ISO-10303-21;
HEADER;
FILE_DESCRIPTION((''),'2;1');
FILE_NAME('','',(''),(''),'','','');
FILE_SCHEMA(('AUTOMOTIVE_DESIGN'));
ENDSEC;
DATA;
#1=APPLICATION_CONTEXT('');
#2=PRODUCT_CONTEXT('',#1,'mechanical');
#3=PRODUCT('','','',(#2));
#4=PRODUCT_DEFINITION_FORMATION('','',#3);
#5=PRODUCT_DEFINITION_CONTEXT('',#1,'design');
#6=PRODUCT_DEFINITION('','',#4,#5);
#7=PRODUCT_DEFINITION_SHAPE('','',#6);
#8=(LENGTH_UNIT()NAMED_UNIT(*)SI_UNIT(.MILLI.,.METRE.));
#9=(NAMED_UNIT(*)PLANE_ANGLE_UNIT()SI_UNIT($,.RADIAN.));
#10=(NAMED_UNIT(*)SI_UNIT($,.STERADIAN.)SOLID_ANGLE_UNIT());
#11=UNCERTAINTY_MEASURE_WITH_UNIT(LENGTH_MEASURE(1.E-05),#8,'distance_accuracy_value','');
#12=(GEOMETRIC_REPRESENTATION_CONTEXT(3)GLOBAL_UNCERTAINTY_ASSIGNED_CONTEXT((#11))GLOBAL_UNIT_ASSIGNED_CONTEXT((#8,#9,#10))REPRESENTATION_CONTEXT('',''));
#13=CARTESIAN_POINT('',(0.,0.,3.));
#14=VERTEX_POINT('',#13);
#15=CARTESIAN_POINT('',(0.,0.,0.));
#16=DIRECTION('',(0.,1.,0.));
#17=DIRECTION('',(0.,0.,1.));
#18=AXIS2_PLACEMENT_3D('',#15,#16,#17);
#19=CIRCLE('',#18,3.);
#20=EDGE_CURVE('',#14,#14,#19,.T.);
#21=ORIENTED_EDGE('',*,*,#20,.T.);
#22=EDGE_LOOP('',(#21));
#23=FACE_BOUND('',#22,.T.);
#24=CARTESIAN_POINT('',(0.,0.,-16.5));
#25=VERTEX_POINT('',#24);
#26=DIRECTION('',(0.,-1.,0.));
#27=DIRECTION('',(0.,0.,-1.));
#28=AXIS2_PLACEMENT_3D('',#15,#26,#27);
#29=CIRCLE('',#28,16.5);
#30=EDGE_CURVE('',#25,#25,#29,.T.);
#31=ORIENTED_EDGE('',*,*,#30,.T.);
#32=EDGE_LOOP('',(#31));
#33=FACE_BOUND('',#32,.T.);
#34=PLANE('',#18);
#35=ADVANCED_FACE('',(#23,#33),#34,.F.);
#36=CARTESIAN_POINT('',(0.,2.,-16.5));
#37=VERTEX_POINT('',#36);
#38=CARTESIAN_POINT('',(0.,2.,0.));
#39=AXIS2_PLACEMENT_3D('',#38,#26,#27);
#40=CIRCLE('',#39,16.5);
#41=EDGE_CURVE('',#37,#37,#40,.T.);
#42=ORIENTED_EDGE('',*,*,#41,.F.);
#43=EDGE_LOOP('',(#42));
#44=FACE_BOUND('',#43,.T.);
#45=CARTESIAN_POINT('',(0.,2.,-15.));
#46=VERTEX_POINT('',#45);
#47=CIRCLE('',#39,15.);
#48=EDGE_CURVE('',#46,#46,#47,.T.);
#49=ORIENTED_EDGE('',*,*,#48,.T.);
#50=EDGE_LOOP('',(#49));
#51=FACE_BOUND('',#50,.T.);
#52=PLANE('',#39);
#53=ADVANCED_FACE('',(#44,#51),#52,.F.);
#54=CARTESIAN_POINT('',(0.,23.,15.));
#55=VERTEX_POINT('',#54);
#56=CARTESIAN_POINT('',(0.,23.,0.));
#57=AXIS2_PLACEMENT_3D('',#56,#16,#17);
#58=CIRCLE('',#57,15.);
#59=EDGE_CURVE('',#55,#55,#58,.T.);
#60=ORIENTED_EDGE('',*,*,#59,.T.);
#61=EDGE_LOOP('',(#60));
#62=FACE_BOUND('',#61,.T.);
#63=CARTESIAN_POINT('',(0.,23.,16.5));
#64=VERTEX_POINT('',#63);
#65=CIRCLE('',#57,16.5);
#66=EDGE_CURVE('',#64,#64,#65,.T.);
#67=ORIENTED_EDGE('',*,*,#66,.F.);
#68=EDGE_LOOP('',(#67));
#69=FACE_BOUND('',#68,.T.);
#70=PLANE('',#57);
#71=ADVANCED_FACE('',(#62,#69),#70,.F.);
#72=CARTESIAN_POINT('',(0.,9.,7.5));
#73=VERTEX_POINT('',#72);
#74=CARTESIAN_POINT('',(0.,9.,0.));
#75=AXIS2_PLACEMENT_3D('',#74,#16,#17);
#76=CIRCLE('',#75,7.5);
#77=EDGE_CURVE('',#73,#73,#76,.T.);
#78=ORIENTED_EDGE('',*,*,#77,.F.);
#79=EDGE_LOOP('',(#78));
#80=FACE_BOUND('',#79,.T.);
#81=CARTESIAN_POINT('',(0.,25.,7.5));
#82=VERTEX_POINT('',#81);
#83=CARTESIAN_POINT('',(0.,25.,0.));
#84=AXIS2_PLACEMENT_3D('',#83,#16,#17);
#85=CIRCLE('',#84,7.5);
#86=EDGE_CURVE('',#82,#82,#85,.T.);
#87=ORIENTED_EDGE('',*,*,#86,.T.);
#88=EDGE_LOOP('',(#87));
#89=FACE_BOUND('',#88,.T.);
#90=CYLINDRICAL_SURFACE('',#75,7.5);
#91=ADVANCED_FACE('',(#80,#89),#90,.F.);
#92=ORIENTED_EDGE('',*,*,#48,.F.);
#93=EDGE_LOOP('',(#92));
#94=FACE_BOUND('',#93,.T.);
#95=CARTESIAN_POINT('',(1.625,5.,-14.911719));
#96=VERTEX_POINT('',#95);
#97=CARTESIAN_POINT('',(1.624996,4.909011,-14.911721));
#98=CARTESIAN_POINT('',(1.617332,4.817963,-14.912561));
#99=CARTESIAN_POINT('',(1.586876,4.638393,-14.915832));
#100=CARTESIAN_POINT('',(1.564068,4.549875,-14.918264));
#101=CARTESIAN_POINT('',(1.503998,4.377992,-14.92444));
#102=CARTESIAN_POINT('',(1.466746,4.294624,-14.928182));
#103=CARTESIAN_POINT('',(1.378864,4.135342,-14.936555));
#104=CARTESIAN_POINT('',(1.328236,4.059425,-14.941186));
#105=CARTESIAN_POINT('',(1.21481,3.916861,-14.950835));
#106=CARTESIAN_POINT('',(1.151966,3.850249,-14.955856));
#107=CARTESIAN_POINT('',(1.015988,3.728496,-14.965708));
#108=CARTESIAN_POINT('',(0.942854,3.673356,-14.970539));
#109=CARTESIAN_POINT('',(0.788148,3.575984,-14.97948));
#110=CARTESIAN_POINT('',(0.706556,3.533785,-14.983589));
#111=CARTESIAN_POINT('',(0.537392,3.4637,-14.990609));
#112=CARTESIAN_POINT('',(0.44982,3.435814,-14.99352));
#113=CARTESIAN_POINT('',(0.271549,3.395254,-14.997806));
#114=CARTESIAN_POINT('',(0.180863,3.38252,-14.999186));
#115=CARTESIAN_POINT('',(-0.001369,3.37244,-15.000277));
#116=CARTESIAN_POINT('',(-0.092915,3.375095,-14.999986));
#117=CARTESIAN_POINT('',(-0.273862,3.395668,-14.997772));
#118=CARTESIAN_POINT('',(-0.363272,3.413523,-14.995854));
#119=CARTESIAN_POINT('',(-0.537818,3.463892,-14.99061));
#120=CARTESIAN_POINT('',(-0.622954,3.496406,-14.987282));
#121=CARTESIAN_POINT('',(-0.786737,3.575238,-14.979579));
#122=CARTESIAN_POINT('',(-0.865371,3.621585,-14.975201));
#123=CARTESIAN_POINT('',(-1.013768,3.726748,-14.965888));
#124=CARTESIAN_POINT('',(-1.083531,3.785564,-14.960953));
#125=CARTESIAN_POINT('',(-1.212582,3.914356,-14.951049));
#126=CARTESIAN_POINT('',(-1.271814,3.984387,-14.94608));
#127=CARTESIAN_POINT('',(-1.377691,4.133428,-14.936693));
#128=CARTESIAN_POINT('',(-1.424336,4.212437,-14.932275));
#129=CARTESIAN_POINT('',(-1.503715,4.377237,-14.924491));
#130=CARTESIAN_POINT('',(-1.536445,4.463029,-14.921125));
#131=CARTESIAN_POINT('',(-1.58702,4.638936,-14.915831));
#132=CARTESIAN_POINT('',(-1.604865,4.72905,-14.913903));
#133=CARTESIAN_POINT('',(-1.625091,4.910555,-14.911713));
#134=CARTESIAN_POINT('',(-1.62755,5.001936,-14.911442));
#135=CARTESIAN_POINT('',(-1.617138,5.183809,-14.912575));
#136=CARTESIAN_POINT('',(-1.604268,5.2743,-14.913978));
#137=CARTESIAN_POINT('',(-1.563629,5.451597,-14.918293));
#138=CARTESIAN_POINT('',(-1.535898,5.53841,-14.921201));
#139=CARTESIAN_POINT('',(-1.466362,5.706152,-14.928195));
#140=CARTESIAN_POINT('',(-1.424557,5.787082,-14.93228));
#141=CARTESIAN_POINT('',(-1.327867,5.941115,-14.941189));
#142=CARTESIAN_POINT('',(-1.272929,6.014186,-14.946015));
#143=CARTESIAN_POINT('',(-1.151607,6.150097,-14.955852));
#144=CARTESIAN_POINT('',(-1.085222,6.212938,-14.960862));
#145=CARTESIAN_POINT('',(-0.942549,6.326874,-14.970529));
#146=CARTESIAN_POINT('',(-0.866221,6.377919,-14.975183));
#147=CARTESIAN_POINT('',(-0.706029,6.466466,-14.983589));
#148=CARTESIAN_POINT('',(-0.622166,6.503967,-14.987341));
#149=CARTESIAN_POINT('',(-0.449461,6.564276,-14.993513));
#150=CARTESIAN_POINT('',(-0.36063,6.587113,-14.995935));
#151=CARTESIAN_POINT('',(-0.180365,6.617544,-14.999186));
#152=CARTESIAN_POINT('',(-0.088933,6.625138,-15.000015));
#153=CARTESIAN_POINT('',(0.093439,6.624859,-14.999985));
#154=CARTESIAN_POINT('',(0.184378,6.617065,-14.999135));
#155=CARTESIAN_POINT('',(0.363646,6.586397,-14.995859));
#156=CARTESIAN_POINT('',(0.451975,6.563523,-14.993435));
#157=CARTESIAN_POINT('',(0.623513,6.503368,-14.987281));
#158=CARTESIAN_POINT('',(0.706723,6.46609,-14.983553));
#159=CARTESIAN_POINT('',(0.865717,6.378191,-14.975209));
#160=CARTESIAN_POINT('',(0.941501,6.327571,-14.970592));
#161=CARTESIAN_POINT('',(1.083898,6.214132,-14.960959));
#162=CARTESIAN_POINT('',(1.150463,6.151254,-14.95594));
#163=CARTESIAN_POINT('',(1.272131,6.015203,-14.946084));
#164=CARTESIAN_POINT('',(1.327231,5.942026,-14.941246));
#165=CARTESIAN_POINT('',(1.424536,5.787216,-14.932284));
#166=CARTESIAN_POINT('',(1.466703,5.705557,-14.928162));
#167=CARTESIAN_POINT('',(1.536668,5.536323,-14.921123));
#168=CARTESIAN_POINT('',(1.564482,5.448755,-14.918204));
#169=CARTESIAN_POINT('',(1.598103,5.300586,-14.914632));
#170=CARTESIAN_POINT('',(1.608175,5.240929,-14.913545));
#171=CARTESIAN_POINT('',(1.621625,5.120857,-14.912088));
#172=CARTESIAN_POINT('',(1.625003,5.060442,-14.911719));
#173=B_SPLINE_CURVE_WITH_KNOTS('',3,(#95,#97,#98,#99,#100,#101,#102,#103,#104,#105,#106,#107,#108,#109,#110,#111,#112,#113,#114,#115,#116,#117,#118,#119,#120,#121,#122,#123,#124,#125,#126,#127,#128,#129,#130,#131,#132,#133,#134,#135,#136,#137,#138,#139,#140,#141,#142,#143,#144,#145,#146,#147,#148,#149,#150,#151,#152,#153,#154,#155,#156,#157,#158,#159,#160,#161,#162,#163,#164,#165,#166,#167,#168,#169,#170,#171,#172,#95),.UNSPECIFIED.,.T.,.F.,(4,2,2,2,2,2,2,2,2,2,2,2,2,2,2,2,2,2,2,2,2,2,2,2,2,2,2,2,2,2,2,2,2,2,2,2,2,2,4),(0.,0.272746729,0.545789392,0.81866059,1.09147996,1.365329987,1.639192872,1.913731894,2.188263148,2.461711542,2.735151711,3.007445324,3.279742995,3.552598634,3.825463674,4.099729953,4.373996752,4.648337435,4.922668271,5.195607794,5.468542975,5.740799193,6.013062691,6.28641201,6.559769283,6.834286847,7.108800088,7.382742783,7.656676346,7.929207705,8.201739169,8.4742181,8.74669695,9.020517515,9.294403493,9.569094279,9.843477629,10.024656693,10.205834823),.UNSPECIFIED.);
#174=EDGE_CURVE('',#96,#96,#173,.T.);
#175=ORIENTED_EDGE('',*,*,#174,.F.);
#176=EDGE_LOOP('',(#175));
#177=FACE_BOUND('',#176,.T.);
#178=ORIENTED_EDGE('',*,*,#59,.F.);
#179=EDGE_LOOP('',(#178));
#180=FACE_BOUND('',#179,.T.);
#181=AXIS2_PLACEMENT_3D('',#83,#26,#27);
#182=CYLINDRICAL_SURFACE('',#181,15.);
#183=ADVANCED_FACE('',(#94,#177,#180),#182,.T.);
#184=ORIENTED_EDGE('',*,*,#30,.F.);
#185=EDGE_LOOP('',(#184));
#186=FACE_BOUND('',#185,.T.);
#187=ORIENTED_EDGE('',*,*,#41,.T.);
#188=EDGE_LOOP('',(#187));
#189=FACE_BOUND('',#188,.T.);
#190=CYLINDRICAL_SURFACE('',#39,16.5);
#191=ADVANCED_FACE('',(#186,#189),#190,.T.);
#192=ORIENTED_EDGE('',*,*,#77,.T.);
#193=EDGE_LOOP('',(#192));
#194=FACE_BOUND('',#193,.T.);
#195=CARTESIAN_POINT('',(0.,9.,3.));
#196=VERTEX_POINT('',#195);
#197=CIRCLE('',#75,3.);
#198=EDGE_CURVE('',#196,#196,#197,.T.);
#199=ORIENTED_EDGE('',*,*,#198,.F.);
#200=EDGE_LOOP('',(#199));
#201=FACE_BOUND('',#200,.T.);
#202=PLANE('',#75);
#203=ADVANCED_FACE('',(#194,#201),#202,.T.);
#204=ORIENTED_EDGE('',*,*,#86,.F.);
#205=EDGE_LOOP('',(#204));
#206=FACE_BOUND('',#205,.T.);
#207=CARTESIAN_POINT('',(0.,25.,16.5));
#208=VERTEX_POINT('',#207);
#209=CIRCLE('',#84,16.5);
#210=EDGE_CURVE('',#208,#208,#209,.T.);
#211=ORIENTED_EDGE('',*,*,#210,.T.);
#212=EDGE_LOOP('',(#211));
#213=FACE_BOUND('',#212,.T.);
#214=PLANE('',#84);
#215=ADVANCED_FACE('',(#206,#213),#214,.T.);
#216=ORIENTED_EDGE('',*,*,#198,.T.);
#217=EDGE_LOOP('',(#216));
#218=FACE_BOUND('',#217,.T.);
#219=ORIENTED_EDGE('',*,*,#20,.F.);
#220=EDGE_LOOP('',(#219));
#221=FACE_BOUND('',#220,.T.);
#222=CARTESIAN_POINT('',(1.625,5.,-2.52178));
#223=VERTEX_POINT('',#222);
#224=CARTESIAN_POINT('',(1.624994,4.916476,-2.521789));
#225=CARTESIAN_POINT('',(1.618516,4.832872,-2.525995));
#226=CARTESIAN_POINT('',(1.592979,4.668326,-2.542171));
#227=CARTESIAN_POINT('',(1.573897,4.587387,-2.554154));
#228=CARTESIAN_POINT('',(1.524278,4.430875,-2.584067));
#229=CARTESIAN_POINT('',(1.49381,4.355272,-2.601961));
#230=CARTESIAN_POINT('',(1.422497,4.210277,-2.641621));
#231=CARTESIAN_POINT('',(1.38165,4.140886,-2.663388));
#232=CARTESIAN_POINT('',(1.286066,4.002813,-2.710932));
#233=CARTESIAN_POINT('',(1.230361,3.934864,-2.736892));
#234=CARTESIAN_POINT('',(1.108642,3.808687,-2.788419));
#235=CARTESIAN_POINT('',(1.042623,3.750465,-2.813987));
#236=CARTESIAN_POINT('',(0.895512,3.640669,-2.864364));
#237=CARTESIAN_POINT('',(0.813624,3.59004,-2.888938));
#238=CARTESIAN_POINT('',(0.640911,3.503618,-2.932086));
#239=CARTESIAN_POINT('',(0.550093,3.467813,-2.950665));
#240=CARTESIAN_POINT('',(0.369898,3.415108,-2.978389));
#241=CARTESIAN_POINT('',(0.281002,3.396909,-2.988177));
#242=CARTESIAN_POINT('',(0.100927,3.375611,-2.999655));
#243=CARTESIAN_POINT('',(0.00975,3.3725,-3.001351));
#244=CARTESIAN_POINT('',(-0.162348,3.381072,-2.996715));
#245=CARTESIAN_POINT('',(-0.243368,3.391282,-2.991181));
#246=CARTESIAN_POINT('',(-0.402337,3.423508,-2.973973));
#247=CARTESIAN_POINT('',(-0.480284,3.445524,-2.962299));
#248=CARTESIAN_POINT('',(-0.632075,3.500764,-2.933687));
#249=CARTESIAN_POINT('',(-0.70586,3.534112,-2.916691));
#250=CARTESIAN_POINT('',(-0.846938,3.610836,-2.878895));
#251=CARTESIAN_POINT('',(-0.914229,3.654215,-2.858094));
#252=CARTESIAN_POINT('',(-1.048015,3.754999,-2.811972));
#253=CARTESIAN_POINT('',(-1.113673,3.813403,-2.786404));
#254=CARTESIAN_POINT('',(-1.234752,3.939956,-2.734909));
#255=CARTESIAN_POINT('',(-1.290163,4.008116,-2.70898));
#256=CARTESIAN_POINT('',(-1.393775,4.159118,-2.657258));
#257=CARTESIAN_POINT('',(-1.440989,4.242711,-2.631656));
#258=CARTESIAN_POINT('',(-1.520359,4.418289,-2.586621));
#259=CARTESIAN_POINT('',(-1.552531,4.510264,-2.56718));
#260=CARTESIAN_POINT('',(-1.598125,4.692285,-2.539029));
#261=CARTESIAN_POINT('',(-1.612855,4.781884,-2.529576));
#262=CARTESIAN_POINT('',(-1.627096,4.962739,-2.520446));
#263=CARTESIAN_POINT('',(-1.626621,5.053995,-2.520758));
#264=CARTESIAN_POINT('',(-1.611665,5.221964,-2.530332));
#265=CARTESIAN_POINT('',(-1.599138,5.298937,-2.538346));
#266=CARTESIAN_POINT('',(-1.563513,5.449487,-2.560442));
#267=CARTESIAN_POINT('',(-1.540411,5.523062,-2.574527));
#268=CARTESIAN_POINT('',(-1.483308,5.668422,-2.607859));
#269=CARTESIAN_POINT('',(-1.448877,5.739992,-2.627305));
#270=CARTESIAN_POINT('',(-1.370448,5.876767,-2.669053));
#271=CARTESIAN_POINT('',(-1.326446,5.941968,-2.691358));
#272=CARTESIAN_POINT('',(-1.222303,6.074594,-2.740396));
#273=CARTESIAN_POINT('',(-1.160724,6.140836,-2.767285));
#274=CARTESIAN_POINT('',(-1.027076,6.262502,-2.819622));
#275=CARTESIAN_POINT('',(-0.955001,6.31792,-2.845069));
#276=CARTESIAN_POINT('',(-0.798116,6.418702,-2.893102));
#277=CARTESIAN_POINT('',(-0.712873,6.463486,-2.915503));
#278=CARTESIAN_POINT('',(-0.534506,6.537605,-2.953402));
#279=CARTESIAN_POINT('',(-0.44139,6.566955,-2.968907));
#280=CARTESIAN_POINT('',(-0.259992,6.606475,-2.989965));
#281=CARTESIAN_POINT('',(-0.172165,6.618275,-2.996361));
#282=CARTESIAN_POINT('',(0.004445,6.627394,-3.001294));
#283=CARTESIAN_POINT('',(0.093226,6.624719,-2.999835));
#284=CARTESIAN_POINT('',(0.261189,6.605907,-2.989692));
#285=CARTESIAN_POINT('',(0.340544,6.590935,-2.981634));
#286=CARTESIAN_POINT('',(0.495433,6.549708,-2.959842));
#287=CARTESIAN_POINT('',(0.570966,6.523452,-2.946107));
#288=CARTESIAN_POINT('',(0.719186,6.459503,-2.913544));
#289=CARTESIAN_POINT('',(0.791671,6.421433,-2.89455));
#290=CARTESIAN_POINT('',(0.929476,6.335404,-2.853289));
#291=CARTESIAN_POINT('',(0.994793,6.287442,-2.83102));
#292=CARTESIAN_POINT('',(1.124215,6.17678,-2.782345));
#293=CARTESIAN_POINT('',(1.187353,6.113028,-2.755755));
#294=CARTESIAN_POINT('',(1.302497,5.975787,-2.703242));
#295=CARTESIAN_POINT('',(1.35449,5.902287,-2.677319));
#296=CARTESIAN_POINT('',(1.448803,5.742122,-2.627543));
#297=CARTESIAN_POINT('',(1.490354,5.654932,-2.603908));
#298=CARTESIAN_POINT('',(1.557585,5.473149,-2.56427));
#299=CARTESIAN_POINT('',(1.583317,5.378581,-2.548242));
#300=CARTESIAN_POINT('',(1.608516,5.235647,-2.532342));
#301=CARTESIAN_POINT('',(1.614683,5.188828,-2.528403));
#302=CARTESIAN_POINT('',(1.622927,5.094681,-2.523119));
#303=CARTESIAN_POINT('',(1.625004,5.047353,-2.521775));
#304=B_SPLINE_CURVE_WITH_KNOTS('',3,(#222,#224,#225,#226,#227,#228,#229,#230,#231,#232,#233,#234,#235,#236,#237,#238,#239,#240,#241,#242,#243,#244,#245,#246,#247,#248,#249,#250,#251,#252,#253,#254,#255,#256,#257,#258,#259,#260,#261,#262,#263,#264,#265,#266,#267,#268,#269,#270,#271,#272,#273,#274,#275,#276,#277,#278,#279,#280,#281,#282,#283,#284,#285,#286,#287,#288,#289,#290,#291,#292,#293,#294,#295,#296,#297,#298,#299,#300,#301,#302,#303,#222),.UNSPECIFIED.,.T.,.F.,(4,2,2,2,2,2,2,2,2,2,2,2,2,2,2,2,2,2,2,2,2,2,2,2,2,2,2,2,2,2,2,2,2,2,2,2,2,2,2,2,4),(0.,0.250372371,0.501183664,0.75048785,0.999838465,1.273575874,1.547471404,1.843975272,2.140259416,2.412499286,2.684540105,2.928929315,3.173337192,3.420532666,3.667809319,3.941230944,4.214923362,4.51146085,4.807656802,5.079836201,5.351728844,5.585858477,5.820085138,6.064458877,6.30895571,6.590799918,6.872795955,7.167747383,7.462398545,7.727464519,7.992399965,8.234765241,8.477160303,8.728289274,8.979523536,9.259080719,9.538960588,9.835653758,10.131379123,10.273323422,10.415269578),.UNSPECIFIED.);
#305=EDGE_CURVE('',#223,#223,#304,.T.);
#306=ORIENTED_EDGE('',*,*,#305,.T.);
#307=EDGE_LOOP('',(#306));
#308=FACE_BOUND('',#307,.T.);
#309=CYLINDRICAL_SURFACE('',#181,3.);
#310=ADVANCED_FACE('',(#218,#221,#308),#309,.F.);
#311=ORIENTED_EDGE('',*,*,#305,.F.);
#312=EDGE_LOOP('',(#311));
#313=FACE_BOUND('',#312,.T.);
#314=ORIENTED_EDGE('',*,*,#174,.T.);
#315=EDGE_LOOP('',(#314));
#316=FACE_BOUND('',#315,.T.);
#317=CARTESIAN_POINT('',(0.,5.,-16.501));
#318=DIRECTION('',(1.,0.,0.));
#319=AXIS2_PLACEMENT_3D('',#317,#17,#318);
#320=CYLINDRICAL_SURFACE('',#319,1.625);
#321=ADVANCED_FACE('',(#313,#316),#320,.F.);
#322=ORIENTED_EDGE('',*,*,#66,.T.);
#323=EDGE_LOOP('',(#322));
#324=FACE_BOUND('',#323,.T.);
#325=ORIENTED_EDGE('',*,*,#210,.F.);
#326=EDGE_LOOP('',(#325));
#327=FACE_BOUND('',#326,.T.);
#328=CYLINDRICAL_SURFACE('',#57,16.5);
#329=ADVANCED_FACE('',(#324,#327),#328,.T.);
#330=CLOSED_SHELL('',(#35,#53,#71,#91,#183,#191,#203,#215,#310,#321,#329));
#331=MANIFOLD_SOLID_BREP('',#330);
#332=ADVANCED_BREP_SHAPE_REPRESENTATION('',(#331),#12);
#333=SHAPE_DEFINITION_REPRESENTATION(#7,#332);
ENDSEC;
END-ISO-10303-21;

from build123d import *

# Parameters (mm, degrees)
CROQUIS1_R              = 15
CROQUIS1_R_2            = 3
SALIENTE_EXTRUIR1_DEPTH = 25
CROQUIS2_R              = 16.5
CROQUIS2_R_2            = 3
SALIENTE_EXTRUIR2_DEPTH = 2
CROQUIS3_R              = 16.5
CROQUIS3_R_2            = 3
SALIENTE_EXTRUIR3_DEPTH = 2
CORTAR_EXTRUIR1_REACH   = 18.5
CROQUIS4_R              = 1.625
CROQUIS5_R              = 7.5
CORTAR_EXTRUIR2_DEPTH   = 16


with BuildPart() as part:
    # Croquis1 → Saliente-Extruir1 (new body)
    with BuildSketch(Plane(origin=(0, 0, 0), x_dir=(1, 0, 0), z_dir=(0, 1, 0))):
        Circle(CROQUIS1_R)
        Circle(CROQUIS1_R_2, mode=Mode.SUBTRACT)
    extrude(amount=SALIENTE_EXTRUIR1_DEPTH)

    # Croquis2 → Saliente-Extruir2 (add)
    with BuildSketch(Plane.XZ):
        Circle(CROQUIS2_R)
        Circle(CROQUIS2_R_2, mode=Mode.SUBTRACT)
    extrude(amount=-SALIENTE_EXTRUIR2_DEPTH)

    # Croquis3 → Saliente-Extruir3 (add)
    with BuildSketch(Plane(origin=(0, 25, 0), x_dir=(1, 0, 0), z_dir=(0, 1, 0))):
        Circle(CROQUIS3_R)
        Circle(CROQUIS3_R_2, mode=Mode.SUBTRACT)
    extrude(amount=-SALIENTE_EXTRUIR3_DEPTH)

    # Croquis4 → Cortar-Extruir1 (cut, up to next)
    with BuildSketch(Plane.XY, mode=Mode.PRIVATE) as cortar_extruir1_sk1:
        with Locations((0, 5)):
            Circle(CROQUIS4_R)
    cortar_extruir1_tool1 = extrude(cortar_extruir1_sk1.sketch, amount=-CORTAR_EXTRUIR1_REACH, mode=Mode.PRIVATE) & part.part
    add(cortar_extruir1_tool1.solids().sort_by_distance((0, 5, 0))[0], mode=Mode.SUBTRACT)

    # Croquis5 → Cortar-Extruir2 (cut)
    with BuildSketch(Plane(origin=(0, 25, 0), x_dir=(1, 0, 0), z_dir=(0, 1, 0))):
        Circle(CROQUIS5_R)
    extrude(amount=-CORTAR_EXTRUIR2_DEPTH, mode=Mode.SUBTRACT)


solid = part.part
